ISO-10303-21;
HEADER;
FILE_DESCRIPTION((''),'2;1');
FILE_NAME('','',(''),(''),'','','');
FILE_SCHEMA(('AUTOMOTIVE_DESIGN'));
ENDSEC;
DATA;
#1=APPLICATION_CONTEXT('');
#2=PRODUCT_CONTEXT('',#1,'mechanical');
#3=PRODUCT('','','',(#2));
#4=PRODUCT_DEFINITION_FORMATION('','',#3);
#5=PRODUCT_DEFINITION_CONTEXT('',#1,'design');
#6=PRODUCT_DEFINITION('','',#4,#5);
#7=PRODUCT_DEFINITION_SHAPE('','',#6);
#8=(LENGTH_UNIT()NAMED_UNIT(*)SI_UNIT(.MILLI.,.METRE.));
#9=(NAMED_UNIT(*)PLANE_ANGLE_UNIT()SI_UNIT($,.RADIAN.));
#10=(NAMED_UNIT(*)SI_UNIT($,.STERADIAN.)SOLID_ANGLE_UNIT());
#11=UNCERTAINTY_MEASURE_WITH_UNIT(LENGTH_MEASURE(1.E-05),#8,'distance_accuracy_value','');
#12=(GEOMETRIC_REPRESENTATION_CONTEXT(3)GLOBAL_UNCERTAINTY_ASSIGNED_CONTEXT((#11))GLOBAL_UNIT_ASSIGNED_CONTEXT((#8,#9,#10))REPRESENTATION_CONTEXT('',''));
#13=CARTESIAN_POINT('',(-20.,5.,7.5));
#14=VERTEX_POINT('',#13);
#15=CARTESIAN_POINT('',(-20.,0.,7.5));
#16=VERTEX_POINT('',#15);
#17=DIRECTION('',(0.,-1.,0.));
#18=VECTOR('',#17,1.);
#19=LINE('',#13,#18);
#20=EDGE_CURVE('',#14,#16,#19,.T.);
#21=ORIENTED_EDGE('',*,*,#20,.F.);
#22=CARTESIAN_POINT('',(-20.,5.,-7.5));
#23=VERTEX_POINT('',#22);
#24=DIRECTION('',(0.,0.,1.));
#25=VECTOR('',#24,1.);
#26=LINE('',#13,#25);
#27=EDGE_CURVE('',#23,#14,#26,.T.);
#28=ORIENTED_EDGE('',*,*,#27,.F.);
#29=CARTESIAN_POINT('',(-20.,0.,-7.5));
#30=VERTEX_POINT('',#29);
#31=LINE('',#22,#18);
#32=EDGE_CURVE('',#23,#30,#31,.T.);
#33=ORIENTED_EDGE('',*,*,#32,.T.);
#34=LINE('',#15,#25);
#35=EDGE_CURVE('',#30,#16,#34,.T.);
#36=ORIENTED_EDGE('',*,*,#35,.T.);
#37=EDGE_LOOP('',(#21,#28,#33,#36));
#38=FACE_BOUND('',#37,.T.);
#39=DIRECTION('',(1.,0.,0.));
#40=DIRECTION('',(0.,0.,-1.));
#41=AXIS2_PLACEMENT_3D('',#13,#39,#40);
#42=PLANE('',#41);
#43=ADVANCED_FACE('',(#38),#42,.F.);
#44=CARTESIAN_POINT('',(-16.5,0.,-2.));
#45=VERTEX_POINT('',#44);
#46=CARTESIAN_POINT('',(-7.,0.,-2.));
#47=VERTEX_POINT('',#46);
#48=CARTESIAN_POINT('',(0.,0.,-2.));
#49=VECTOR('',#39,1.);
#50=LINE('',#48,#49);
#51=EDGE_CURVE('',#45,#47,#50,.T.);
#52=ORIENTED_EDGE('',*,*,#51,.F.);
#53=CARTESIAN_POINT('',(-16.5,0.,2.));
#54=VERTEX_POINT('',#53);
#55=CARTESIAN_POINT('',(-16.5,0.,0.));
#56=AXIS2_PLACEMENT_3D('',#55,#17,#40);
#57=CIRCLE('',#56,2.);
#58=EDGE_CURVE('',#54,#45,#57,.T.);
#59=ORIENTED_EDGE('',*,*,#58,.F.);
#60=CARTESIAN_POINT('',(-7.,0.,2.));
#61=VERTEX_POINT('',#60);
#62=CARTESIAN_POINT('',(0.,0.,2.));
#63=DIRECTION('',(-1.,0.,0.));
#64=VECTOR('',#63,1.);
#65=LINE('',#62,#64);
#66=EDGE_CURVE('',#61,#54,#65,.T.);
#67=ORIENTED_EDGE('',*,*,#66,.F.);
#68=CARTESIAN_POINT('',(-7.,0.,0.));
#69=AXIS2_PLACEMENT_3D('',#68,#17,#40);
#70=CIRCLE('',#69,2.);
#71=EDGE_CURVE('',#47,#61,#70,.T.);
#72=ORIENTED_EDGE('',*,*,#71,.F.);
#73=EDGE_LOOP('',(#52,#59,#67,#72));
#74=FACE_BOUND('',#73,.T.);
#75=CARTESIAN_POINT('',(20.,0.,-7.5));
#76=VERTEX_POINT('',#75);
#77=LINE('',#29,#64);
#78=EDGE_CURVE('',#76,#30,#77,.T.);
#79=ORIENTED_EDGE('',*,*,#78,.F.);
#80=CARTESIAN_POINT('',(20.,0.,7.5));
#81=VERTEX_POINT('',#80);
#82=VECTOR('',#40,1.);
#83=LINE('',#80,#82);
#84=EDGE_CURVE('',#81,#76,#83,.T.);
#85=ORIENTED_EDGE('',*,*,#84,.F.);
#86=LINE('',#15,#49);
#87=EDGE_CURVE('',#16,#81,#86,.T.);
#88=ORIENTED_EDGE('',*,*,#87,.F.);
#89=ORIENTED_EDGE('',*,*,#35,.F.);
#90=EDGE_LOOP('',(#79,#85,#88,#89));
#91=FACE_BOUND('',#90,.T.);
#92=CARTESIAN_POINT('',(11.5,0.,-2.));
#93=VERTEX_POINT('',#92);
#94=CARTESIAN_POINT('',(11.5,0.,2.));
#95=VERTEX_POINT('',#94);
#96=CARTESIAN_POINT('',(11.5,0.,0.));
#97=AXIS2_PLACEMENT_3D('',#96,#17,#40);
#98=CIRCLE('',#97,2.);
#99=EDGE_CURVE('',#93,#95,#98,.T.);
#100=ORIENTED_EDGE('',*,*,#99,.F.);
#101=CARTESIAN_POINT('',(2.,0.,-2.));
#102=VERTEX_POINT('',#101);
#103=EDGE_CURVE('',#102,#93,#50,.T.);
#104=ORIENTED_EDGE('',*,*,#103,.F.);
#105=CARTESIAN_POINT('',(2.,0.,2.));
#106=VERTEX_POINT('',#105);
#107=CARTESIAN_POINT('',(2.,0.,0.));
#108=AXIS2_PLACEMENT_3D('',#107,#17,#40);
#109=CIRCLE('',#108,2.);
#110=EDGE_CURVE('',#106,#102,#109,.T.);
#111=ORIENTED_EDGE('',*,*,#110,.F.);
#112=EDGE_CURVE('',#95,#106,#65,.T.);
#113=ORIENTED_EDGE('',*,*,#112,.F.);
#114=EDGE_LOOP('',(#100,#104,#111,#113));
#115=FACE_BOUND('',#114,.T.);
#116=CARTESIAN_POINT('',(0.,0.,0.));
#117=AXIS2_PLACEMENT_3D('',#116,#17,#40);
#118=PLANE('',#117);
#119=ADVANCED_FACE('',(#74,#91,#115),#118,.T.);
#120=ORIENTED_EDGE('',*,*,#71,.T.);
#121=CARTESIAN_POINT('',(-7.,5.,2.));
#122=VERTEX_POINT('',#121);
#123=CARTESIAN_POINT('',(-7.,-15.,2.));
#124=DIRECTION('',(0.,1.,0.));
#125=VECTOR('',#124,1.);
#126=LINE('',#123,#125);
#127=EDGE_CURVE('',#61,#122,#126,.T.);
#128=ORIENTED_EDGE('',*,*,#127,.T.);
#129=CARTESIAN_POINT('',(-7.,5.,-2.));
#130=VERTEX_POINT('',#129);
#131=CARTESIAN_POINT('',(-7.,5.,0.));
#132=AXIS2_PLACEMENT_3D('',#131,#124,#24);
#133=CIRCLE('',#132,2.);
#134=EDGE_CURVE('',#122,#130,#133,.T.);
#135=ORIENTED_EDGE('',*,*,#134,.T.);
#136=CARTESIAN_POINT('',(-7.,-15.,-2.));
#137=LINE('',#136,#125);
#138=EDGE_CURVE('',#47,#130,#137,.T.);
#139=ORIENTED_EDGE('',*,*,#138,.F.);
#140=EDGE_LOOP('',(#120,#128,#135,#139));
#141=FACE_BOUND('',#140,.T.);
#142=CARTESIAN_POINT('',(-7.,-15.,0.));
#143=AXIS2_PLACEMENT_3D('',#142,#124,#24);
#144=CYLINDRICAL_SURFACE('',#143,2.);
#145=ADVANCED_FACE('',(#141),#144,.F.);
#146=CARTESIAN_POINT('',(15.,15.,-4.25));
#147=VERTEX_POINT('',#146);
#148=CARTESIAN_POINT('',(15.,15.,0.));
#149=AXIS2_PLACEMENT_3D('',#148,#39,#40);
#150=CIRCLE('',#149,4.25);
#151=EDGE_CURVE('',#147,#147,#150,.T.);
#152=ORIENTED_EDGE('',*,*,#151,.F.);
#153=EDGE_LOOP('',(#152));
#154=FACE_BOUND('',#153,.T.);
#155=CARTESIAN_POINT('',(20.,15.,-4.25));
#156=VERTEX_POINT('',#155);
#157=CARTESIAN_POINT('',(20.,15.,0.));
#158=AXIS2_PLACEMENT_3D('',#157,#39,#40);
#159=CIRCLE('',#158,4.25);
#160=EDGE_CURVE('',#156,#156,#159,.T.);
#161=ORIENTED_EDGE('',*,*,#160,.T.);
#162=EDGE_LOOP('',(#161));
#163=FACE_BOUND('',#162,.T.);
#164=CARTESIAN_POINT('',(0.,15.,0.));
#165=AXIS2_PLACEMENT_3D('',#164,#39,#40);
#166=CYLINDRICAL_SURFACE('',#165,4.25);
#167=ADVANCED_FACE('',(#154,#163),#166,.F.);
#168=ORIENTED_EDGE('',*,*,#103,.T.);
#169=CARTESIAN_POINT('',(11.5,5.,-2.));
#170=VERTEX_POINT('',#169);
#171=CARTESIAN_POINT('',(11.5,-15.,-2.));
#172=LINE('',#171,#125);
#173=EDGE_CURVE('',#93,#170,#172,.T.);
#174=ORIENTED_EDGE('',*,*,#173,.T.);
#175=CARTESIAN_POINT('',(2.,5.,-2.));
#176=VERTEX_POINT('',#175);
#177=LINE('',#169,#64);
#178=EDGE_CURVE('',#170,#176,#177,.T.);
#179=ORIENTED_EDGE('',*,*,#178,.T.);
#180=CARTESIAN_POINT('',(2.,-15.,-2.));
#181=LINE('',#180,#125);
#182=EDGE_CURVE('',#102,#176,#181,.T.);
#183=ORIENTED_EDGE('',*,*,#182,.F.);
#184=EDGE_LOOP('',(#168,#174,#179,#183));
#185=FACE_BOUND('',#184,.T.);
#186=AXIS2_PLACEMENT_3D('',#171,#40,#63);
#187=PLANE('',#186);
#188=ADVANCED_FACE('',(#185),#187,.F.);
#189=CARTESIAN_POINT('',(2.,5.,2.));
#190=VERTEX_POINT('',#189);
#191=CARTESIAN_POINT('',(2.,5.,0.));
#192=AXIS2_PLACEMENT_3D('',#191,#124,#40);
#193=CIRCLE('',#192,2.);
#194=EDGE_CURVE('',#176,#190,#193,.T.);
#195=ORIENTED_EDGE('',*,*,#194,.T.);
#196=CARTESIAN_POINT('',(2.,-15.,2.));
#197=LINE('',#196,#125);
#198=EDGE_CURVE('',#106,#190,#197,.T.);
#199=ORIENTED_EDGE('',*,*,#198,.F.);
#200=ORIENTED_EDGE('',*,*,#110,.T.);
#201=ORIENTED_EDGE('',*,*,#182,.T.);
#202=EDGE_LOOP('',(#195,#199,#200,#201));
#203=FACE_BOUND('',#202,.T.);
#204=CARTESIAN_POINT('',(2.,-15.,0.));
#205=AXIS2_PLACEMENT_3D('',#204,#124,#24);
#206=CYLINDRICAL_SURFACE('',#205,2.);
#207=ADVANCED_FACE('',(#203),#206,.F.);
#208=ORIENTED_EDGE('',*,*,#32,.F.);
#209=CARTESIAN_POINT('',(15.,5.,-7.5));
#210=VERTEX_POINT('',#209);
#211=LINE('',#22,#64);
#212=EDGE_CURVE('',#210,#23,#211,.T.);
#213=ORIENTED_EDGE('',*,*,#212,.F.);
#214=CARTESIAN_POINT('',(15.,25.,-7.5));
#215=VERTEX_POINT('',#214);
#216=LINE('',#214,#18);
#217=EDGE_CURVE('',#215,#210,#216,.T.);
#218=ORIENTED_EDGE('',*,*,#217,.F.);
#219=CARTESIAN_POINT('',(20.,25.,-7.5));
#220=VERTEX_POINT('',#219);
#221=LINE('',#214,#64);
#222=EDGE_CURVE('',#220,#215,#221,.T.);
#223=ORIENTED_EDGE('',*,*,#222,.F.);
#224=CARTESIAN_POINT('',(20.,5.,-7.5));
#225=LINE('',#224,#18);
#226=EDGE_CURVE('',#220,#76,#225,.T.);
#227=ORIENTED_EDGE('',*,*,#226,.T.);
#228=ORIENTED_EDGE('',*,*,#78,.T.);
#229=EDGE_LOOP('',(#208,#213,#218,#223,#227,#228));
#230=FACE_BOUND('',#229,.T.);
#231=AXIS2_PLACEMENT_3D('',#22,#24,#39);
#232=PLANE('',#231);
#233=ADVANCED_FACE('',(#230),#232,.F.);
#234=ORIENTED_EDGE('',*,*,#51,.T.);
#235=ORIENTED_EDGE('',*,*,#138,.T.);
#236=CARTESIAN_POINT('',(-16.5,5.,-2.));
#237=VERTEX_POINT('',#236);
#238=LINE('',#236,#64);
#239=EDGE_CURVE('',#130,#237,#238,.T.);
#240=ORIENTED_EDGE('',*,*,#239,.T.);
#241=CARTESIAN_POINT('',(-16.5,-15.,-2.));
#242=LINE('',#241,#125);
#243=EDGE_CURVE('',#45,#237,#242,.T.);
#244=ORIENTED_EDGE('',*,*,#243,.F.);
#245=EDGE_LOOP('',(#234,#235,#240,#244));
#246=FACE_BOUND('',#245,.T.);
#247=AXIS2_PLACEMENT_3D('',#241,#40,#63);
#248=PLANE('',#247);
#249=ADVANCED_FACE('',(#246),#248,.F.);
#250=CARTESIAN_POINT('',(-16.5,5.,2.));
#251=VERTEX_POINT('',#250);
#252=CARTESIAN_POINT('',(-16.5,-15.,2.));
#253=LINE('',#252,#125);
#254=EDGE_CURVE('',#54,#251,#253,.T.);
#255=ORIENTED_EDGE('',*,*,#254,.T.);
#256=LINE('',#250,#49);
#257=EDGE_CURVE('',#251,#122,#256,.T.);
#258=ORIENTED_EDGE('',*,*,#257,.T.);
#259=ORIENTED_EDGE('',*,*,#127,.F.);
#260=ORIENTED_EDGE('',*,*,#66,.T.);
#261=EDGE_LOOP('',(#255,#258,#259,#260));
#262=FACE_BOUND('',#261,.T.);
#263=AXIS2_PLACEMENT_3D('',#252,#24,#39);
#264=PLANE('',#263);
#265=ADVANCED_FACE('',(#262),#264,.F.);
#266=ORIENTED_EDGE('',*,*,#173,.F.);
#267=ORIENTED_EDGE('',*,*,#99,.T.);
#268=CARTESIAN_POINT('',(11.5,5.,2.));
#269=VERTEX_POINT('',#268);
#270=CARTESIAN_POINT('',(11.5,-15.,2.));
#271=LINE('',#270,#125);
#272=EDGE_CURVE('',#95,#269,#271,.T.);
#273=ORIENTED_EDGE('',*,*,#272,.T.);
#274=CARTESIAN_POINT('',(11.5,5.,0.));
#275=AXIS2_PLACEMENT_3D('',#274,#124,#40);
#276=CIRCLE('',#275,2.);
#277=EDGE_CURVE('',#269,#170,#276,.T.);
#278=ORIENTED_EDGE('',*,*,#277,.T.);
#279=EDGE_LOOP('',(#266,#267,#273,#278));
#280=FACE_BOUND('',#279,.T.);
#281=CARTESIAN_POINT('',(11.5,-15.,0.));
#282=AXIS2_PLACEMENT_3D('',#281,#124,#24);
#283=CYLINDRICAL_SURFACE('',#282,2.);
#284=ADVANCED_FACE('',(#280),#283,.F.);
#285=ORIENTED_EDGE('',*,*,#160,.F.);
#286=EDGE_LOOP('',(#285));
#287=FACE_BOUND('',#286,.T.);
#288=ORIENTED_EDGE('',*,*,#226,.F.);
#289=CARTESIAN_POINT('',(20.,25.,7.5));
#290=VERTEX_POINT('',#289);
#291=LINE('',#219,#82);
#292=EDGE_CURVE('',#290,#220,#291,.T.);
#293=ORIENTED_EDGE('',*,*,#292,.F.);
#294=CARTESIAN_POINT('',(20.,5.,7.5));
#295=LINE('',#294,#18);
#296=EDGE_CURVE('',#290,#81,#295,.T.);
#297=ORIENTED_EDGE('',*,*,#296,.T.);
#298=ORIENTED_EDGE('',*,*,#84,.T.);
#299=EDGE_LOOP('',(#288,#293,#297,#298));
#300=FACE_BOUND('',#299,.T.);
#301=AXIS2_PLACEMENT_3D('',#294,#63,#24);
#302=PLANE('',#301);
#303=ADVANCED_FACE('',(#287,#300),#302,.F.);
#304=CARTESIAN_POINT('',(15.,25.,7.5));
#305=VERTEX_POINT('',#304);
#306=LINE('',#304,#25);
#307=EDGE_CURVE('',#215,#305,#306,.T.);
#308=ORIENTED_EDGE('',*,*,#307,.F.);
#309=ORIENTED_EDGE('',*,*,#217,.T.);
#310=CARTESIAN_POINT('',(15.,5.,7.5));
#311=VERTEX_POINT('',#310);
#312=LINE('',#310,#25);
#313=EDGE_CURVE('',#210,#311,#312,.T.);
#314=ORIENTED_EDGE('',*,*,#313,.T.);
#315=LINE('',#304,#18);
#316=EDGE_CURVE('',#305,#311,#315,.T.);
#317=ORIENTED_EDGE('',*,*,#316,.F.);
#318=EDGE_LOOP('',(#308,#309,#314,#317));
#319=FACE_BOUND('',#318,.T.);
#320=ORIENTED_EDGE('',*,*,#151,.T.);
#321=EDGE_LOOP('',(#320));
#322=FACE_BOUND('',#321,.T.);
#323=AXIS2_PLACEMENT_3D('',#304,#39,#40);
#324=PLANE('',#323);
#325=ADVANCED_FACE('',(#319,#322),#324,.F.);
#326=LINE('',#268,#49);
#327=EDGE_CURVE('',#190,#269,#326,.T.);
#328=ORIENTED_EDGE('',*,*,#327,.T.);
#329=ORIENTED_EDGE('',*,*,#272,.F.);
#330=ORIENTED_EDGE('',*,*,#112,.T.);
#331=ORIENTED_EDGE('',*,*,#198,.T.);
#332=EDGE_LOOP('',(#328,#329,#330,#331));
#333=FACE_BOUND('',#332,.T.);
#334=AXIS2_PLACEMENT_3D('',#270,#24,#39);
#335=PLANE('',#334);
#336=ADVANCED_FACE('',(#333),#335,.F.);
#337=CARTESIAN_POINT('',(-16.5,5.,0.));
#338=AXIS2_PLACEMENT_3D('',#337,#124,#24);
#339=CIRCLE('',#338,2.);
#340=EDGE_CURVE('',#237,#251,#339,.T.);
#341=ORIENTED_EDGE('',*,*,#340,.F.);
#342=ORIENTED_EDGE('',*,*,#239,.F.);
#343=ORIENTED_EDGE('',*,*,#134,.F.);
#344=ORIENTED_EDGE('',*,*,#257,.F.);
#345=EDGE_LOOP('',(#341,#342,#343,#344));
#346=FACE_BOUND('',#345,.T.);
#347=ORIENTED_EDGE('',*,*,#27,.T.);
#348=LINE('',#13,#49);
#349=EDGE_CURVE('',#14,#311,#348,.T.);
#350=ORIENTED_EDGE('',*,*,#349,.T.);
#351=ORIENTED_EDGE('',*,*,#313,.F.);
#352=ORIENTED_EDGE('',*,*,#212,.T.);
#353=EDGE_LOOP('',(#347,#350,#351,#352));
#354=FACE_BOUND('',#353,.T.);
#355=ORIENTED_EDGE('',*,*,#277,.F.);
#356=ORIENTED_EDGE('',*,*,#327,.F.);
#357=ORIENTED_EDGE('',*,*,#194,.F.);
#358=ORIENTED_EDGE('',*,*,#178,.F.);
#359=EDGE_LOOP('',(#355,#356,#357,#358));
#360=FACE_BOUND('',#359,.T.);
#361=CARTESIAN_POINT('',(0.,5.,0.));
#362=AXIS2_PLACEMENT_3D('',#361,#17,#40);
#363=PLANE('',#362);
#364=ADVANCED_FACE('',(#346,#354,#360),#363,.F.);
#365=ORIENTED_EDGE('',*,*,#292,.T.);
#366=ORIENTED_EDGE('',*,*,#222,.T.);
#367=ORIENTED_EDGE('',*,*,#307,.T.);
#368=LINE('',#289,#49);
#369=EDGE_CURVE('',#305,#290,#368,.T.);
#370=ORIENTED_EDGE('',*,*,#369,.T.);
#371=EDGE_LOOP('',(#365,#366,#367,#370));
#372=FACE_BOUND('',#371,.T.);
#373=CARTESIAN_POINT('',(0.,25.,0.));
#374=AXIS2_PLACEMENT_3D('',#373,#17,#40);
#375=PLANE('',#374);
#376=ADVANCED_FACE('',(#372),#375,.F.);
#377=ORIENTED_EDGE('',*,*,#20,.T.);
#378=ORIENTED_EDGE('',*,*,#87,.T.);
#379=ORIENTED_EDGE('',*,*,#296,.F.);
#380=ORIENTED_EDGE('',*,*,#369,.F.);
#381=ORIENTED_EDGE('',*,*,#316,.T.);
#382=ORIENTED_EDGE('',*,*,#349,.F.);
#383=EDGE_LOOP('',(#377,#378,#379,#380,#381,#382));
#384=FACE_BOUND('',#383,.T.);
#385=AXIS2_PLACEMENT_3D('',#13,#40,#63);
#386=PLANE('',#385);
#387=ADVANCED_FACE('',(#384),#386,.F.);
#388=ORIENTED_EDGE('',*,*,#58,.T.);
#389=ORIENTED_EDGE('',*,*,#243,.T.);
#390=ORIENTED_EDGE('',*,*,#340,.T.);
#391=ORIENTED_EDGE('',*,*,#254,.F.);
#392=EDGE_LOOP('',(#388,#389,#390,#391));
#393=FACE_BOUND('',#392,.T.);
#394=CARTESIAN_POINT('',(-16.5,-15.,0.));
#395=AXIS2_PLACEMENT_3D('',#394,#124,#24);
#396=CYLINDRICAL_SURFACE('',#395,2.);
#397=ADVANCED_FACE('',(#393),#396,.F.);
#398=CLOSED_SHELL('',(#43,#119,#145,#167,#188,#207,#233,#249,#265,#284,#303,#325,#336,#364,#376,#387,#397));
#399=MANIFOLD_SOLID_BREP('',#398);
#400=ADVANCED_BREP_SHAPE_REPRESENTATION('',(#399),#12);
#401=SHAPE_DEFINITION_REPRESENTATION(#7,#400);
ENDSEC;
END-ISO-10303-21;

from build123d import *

# Parameters (mm, degrees)
CROQUIS1_W              = 40
CROQUIS1_H              = 15
SALIENTE_EXTRUIR1_DEPTH = 5
CROQUIS2_W              = 5
CROQUIS2_H              = 15
SALIENTE_EXTRUIR2_DEPTH = 20
CROQUIS3_R              = 4.25
CORTAR_EXTRUIR1_DEPTH   = 20
CORTAR_EXTRUIR2_DEPTH   = 20


with BuildPart() as part:
    # Croquis1 → Saliente-Extruir1 (new body)
    with BuildSketch(Plane(origin=(0, 0, 0), x_dir=(1, 0, 0), z_dir=(0, 1, 0))):
        Rectangle(CROQUIS1_W, CROQUIS1_H)
    extrude(amount=SALIENTE_EXTRUIR1_DEPTH)

    # Croquis2 → Saliente-Extruir2 (add)
    with BuildSketch(Plane(origin=(0, 5, 0), x_dir=(1, 0, 0), z_dir=(0, 1, 0))):
        with Locations((17.5, 0)):
            Rectangle(CROQUIS2_W, CROQUIS2_H)
    extrude(amount=SALIENTE_EXTRUIR2_DEPTH)

    # Croquis3 → Cortar-Extruir1 (cut)
    with BuildSketch(Plane(origin=(20, 0, 0), x_dir=(0, 0, -1), z_dir=(1, 0, 0))):
        with Locations((0, 15)):
            Circle(CROQUIS3_R)
    extrude(amount=-CORTAR_EXTRUIR1_DEPTH, mode=Mode.SUBTRACT)

    # Croquis4 → Cortar-Extruir2 (cut)
    with BuildSketch(Plane(origin=(0, 5, 0), x_dir=(1, 0, 0), z_dir=(0, 1, 0))):
        with BuildLine():
            Line((-16.5, 2), (-7, 2))
            ThreePointArc((-7, 2), (-5, 0), (-7, -2))
            Line((-7, -2), (-16.5, -2))
            ThreePointArc((-16.5, -2), (-18.5, 0), (-16.5, 2))
        make_face()
        with BuildLine():
            Line((11.5, -2), (2, -2))
            ThreePointArc((2, -2), (0, 0), (2, 2))
            Line((2, 2), (11.5, 2))
            ThreePointArc((11.5, 2), (13.5, 0), (11.5, -2))
        make_face()
    extrude(amount=-CORTAR_EXTRUIR2_DEPTH, mode=Mode.SUBTRACT)


solid = part.part
